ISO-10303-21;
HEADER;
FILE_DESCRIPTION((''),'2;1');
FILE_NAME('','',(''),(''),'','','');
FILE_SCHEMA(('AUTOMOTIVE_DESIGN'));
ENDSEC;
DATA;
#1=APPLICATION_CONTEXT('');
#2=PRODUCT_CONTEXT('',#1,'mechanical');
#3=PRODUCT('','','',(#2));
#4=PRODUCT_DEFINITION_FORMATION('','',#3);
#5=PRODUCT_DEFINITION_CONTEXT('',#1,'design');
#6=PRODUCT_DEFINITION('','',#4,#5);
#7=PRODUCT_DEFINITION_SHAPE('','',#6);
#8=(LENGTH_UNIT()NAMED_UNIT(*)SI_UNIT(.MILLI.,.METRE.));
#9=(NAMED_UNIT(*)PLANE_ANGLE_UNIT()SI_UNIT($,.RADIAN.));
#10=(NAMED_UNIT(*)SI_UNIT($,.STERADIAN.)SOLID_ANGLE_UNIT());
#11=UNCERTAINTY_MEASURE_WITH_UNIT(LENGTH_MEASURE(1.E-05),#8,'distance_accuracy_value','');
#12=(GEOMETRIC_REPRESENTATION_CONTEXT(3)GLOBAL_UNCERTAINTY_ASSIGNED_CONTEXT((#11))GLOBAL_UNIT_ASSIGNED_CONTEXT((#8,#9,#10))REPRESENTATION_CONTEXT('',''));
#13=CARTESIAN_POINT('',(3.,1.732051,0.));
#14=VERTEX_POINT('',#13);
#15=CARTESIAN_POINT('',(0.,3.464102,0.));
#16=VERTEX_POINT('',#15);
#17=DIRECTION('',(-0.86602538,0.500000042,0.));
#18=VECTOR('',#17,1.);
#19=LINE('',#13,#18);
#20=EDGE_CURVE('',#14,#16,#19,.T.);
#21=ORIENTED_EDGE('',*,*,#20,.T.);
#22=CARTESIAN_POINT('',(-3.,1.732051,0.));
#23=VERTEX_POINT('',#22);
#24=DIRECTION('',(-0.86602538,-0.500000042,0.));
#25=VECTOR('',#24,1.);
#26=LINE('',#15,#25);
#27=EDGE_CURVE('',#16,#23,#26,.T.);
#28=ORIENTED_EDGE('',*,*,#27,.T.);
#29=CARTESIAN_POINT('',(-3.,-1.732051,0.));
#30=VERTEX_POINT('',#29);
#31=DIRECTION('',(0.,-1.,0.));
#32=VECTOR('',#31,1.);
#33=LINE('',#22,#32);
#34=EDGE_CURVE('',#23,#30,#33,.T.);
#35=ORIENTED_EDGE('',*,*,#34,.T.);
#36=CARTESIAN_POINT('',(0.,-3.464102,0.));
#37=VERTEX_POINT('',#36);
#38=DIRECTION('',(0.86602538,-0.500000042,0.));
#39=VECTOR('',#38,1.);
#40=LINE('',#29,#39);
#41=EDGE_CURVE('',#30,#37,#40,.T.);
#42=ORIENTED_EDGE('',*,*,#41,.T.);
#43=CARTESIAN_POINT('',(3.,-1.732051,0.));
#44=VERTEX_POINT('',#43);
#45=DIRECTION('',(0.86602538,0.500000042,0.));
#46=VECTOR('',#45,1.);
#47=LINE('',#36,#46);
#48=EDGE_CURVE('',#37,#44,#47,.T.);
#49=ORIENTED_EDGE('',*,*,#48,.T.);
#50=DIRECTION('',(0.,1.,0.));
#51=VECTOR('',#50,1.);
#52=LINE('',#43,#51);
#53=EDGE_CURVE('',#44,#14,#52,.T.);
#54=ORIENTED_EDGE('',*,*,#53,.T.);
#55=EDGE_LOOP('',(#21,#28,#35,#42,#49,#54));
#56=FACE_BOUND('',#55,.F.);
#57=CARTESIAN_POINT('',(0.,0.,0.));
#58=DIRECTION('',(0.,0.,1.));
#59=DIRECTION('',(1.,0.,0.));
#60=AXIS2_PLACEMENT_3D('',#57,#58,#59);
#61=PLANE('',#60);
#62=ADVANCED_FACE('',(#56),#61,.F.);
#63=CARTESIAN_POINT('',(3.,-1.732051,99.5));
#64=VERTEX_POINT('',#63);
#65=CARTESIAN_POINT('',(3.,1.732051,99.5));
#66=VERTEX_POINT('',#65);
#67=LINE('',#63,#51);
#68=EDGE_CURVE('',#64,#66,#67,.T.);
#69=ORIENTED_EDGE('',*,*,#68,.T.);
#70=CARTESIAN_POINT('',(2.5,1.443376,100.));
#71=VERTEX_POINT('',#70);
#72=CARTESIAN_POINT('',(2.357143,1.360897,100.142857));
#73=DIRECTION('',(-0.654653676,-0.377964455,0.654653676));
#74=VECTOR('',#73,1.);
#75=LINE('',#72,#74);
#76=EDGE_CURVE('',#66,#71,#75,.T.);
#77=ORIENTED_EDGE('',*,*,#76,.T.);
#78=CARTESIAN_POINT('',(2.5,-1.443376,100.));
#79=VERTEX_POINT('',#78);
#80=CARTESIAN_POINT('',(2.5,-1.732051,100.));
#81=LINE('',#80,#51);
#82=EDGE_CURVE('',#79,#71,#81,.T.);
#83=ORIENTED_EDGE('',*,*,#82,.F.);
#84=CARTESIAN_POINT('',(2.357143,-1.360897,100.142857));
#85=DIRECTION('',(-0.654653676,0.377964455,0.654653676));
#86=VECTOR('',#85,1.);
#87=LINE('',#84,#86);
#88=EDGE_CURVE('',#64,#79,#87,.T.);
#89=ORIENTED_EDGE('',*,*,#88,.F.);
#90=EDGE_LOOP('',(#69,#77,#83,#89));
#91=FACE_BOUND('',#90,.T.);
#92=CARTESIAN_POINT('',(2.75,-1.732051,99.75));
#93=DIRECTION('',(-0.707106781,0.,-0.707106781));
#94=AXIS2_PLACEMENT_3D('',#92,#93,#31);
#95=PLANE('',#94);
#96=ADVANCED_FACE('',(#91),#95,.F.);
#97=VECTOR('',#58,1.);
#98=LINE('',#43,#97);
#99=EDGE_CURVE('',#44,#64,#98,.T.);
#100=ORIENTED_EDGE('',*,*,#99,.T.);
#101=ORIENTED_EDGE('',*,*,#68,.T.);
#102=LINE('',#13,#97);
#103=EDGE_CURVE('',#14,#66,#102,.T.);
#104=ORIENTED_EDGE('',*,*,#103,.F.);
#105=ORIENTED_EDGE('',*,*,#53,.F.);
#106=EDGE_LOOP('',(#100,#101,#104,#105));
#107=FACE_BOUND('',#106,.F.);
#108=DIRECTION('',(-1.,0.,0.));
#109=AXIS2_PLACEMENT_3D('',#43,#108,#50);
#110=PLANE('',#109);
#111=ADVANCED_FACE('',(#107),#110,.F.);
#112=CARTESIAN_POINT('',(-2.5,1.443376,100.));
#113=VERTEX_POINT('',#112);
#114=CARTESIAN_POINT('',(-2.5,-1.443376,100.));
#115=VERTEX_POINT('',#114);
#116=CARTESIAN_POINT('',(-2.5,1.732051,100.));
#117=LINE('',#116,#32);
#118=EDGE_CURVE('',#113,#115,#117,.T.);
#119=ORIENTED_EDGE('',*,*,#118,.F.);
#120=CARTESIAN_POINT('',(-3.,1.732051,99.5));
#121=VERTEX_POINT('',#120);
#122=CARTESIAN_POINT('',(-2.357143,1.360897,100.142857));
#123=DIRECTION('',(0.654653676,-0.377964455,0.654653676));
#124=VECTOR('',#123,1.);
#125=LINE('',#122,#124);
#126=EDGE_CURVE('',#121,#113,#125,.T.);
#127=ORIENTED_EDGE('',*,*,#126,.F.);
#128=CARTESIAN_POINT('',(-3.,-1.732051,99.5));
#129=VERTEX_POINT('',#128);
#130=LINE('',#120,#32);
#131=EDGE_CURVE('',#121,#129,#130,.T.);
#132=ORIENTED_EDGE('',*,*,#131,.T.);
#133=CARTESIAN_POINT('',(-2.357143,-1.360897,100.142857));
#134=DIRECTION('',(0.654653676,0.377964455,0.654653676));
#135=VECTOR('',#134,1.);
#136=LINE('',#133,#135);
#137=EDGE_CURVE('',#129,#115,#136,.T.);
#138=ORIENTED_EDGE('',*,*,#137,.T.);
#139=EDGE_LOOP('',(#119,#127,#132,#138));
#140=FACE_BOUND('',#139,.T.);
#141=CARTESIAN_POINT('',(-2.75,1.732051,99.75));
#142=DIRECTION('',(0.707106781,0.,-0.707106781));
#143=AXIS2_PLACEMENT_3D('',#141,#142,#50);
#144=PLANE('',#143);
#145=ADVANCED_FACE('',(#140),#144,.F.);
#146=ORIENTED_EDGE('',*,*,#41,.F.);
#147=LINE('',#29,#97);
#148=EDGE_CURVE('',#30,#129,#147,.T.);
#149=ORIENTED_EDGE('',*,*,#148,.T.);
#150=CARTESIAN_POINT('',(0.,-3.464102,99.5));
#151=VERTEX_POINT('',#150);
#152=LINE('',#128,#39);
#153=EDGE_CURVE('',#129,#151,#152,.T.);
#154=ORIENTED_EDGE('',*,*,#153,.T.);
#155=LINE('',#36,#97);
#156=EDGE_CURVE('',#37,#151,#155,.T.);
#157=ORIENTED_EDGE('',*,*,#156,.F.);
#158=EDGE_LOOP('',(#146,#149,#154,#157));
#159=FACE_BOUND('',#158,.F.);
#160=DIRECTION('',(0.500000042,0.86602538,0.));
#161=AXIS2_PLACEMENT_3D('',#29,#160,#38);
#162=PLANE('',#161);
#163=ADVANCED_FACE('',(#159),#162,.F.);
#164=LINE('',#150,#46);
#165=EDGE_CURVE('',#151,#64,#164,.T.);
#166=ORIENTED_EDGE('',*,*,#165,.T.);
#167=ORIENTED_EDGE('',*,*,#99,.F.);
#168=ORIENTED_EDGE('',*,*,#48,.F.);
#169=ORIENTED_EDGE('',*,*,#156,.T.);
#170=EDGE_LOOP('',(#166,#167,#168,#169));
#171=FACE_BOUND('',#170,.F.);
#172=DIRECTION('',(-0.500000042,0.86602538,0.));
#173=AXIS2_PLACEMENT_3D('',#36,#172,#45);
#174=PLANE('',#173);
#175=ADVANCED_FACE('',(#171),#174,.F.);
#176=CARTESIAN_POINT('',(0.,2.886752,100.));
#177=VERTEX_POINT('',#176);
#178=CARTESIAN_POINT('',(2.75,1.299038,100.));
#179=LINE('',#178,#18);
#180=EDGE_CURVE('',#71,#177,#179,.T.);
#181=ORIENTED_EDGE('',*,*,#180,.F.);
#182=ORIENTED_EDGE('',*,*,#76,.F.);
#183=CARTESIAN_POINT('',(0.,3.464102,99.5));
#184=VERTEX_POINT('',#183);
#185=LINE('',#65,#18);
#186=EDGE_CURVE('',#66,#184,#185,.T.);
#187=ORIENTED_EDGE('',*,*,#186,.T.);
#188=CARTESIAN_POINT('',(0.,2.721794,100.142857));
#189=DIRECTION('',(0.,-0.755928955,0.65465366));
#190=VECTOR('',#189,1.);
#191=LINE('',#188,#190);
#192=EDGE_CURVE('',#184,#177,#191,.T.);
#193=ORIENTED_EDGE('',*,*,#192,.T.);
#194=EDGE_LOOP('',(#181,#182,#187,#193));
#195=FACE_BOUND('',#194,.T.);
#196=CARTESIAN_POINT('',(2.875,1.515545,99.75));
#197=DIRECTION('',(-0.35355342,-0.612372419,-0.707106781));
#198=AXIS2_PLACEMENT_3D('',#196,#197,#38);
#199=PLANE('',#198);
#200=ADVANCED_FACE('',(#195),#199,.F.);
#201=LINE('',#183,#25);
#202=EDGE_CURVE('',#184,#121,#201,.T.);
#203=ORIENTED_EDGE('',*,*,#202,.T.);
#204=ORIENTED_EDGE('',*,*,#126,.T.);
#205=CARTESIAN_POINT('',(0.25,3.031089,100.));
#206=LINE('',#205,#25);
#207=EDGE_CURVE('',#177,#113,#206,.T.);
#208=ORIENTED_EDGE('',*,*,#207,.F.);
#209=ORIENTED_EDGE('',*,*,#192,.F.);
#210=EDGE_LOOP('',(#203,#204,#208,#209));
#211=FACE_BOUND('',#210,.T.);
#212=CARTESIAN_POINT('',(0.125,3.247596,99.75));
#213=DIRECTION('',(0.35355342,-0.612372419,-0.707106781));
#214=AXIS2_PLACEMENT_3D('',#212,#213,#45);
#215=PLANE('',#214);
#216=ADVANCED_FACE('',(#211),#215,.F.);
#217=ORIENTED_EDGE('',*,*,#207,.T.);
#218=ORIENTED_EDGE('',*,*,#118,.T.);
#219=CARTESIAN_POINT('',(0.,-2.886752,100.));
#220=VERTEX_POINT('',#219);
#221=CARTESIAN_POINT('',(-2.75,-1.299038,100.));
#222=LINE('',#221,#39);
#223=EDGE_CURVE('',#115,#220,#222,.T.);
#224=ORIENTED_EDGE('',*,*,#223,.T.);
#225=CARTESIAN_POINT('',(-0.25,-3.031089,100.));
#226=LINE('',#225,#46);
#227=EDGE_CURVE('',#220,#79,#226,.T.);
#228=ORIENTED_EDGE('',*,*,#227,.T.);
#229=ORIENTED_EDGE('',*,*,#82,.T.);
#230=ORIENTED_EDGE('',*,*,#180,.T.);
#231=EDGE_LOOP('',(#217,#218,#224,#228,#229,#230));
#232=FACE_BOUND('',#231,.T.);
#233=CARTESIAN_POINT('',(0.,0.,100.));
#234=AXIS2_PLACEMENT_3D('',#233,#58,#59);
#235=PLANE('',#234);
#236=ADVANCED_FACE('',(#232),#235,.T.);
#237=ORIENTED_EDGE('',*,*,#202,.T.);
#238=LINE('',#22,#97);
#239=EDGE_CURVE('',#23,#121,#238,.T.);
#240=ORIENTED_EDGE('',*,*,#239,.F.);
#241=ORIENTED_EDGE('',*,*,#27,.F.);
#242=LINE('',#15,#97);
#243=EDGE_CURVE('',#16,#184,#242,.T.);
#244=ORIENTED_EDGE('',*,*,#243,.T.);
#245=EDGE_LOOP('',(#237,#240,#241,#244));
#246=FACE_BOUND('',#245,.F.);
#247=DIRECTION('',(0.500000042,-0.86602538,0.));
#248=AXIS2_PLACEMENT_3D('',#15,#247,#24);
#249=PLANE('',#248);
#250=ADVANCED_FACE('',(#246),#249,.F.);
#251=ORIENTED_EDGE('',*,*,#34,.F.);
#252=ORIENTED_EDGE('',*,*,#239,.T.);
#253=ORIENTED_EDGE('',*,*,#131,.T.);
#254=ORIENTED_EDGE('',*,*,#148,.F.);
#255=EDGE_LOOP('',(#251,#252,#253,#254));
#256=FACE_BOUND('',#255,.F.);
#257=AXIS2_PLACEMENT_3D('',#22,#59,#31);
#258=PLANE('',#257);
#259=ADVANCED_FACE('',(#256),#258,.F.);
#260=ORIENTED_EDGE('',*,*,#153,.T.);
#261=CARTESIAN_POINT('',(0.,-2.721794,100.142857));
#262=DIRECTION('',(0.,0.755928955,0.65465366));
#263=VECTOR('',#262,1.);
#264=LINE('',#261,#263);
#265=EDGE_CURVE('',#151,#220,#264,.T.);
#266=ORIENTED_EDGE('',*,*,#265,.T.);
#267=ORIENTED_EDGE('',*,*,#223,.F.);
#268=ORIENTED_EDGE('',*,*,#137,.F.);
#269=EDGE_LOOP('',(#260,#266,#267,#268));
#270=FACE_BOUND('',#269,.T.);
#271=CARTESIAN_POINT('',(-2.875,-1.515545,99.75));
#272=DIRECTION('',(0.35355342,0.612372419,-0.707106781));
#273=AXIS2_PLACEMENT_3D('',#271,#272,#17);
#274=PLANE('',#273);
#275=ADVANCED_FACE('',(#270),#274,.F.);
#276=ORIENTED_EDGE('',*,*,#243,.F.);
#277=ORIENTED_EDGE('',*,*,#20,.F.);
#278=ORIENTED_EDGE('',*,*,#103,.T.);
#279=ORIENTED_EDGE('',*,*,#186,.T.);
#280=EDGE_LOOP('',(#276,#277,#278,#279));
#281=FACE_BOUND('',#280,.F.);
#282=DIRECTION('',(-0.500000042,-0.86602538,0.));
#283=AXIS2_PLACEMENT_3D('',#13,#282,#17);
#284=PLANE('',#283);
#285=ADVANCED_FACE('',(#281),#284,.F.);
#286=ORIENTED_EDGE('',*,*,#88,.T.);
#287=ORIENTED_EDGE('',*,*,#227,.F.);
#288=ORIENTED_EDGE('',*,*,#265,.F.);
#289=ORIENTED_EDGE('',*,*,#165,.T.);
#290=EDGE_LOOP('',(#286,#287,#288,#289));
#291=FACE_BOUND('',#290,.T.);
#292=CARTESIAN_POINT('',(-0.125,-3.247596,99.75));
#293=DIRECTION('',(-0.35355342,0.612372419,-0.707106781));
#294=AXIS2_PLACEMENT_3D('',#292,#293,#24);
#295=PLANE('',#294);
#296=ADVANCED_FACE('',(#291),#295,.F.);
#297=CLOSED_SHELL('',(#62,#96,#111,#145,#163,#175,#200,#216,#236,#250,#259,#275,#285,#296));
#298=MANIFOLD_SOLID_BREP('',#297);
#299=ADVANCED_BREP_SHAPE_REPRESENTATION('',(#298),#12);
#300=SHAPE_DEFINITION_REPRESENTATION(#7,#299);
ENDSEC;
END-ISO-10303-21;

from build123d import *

# Parameters (mm, degrees)
F1_DEPTH = 100
F2_SIZE  = 0.5


with BuildPart() as f1:
    # F0 (on Top) → F1 (new body)
    with BuildSketch(Plane.XY):
        Polygon((3, -1.732051), (3, 1.732051), (0, 3.464102), (-3, 1.732051), (-3, -1.732051), (0, -3.464102), align=None)
    extrude(amount=F1_DEPTH)

    # F2
    f2_edges = [f1.edges().sort_by_distance(p)[0] for p in [
        (3, 0, 100),
        (1.5, 2.598076, 100),
        (-1.5, 2.598076, 100),
        (-3, 0, 100),
        (-1.5, -2.598076, 100),
        (1.5, -2.598076, 100),
    ]]
    chamfer(f2_edges, length=F2_SIZE)


solid = f1.part
